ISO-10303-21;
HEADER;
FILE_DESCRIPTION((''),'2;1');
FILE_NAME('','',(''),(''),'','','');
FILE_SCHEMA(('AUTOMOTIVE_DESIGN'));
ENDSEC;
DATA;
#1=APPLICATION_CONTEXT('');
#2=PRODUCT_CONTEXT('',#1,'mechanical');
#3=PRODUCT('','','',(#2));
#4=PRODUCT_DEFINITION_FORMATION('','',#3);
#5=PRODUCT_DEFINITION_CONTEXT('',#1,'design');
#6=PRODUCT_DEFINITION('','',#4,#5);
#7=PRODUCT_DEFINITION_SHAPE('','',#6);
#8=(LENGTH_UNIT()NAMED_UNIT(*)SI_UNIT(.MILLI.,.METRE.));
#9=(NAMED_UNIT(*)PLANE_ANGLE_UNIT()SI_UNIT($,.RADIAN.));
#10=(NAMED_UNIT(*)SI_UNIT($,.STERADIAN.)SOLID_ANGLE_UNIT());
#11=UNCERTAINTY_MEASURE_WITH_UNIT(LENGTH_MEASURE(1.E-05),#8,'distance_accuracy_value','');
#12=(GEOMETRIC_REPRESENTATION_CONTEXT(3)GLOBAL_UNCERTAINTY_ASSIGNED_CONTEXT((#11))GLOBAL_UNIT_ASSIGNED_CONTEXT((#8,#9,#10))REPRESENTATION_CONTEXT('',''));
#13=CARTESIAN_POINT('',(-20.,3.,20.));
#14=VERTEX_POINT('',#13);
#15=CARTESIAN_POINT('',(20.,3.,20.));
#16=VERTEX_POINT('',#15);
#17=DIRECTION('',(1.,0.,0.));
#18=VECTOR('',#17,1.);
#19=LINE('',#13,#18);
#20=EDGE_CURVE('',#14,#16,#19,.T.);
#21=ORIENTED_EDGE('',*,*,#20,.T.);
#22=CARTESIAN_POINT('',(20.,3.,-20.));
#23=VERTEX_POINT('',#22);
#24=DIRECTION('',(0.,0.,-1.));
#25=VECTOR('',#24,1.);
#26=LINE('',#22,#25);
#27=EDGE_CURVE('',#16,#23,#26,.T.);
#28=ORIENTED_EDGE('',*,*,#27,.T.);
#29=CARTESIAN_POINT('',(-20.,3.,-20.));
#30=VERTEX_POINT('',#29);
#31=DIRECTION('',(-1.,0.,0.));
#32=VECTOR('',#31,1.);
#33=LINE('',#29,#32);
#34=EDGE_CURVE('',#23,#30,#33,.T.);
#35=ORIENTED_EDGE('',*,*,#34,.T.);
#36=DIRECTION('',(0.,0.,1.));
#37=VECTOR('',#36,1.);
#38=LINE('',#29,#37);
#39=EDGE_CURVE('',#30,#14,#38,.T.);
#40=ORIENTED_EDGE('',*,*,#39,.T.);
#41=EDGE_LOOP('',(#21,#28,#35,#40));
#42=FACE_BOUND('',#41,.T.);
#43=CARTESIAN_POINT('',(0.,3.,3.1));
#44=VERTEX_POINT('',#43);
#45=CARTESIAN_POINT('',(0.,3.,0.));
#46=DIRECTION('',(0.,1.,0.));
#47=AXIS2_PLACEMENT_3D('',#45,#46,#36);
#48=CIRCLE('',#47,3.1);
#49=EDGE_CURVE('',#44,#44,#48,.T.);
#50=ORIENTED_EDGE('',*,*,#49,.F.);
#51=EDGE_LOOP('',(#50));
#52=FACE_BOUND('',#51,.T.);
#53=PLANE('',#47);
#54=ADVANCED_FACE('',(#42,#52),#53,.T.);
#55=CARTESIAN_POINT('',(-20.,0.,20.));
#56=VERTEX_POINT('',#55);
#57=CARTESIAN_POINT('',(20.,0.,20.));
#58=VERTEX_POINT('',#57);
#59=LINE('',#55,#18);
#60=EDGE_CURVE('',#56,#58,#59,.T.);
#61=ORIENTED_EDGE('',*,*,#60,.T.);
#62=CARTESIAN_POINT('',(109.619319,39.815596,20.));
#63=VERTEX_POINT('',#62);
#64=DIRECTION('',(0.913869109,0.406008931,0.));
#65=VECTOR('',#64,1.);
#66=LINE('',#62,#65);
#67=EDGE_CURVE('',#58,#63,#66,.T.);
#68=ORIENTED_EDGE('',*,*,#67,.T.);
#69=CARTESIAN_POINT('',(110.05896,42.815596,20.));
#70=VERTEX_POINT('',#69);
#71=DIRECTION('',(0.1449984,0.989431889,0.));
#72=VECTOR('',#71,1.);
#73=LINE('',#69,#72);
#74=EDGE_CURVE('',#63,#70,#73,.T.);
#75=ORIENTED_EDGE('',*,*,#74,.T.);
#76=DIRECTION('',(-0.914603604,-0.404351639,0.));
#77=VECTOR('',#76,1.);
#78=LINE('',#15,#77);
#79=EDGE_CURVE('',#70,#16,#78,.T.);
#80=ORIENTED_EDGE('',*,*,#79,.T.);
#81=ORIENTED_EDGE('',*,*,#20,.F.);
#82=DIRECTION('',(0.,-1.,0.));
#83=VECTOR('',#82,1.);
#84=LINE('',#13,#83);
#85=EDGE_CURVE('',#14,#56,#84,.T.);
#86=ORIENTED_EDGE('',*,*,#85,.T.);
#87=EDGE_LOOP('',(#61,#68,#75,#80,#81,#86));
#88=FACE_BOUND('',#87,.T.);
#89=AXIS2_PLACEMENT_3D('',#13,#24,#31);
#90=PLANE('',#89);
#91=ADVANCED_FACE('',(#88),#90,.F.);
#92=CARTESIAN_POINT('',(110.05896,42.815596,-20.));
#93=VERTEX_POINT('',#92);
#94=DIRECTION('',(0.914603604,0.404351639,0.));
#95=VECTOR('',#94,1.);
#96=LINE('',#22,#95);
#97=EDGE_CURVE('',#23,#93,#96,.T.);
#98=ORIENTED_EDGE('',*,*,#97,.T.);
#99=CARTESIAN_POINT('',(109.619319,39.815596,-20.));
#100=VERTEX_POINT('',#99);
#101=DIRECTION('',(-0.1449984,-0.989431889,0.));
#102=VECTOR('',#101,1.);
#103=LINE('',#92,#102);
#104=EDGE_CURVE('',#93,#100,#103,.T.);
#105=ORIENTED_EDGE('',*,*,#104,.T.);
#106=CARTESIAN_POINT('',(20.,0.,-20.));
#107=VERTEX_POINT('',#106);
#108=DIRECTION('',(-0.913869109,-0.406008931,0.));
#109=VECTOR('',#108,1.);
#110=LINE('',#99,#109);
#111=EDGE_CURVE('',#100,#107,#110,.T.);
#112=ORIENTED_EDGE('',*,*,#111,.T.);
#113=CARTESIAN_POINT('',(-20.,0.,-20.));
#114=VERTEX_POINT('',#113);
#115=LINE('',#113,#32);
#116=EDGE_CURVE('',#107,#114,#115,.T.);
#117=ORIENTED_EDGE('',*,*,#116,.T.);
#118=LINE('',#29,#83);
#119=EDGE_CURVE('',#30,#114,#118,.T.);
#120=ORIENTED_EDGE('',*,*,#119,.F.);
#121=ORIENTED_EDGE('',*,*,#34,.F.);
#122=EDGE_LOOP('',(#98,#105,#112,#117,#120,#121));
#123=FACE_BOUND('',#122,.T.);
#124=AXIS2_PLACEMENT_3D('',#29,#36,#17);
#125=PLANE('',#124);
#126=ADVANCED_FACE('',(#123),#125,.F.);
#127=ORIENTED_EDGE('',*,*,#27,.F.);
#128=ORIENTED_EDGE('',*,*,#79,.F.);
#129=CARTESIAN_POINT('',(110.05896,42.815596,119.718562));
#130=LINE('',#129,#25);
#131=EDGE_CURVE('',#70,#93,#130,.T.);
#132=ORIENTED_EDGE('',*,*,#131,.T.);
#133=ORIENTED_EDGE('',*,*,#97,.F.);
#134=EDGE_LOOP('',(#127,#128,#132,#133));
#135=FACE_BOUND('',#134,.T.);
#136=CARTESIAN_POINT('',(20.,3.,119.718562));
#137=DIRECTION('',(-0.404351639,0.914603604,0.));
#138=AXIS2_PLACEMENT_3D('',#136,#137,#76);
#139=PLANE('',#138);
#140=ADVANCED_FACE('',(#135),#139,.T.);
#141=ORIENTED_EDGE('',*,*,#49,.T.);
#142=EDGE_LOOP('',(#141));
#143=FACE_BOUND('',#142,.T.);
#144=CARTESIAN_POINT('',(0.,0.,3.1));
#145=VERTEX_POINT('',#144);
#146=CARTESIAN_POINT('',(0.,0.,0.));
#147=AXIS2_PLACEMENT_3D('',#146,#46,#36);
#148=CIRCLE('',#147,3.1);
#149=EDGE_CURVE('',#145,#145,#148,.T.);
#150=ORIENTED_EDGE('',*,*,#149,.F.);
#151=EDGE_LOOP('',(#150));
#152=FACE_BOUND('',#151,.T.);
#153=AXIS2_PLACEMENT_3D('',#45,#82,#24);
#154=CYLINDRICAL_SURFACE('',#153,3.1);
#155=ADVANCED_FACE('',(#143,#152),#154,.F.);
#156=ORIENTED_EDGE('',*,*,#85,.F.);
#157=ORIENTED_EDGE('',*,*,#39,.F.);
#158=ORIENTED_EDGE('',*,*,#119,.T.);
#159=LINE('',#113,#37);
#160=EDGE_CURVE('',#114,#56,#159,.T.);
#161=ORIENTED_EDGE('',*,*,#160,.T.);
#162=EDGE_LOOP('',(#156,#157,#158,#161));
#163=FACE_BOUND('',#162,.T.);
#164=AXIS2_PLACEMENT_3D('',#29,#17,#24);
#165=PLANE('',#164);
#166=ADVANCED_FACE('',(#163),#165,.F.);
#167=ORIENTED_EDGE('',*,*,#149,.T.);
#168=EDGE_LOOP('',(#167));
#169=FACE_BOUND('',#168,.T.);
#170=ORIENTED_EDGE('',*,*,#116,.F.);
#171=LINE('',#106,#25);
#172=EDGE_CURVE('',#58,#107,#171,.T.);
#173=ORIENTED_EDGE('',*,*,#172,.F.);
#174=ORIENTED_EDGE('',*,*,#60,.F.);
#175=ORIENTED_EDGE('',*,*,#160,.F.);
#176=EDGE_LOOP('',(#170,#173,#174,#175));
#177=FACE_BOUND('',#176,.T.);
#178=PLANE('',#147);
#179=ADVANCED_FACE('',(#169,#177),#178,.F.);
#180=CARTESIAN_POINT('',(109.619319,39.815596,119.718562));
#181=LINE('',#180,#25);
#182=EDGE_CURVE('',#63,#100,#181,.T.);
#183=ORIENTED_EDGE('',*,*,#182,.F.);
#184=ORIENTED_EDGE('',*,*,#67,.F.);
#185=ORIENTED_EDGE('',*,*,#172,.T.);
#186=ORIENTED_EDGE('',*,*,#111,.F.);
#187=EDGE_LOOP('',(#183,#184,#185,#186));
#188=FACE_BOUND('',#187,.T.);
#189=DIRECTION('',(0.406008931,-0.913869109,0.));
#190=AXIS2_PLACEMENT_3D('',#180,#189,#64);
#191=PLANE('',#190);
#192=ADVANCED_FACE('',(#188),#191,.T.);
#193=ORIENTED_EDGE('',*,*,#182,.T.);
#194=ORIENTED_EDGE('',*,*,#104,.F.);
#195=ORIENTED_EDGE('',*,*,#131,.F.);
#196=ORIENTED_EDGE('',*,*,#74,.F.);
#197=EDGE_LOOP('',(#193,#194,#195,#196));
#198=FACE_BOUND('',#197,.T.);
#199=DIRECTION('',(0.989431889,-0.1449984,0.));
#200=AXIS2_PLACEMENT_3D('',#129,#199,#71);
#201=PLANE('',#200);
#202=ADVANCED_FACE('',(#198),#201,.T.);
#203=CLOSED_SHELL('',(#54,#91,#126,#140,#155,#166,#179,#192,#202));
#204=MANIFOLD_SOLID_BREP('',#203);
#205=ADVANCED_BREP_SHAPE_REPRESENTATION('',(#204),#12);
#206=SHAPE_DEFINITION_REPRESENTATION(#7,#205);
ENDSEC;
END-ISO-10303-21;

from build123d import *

# Parameters (mm, degrees)
SKETCH1_W           = 40
SKETCH1_H           = 40
SKETCH1_R           = 3.1
BOSS_EXTRUDE1_DEPTH = 3
BOSS_EXTRUDE2_DEPTH = 40


with BuildPart() as part:
    # Sketch1 → Boss-Extrude1 (new body)
    with BuildSketch(Plane(origin=(0, 0, 0), x_dir=(1, 0, 0), z_dir=(0, 1, 0))):
        Rectangle(SKETCH1_W, SKETCH1_H)
        with Locations(Location((0, 0, 0), (0, 0, 270))):
            Circle(SKETCH1_R, mode=Mode.SUBTRACT)
    extrude(amount=BOSS_EXTRUDE1_DEPTH)

    # Sketch6 → Boss-Extrude2 (add)
    with BuildSketch(Plane(origin=(0, 0, -20), x_dir=(-1, 0, 0), z_dir=(0, 0, -1))):
        Polygon((-109.619318504, 39.815596494), (-20, 0), (-20, 3), (-110.058959884, 42.815596494), align=None)
    extrude(amount=-BOSS_EXTRUDE2_DEPTH)


solid = part.part
